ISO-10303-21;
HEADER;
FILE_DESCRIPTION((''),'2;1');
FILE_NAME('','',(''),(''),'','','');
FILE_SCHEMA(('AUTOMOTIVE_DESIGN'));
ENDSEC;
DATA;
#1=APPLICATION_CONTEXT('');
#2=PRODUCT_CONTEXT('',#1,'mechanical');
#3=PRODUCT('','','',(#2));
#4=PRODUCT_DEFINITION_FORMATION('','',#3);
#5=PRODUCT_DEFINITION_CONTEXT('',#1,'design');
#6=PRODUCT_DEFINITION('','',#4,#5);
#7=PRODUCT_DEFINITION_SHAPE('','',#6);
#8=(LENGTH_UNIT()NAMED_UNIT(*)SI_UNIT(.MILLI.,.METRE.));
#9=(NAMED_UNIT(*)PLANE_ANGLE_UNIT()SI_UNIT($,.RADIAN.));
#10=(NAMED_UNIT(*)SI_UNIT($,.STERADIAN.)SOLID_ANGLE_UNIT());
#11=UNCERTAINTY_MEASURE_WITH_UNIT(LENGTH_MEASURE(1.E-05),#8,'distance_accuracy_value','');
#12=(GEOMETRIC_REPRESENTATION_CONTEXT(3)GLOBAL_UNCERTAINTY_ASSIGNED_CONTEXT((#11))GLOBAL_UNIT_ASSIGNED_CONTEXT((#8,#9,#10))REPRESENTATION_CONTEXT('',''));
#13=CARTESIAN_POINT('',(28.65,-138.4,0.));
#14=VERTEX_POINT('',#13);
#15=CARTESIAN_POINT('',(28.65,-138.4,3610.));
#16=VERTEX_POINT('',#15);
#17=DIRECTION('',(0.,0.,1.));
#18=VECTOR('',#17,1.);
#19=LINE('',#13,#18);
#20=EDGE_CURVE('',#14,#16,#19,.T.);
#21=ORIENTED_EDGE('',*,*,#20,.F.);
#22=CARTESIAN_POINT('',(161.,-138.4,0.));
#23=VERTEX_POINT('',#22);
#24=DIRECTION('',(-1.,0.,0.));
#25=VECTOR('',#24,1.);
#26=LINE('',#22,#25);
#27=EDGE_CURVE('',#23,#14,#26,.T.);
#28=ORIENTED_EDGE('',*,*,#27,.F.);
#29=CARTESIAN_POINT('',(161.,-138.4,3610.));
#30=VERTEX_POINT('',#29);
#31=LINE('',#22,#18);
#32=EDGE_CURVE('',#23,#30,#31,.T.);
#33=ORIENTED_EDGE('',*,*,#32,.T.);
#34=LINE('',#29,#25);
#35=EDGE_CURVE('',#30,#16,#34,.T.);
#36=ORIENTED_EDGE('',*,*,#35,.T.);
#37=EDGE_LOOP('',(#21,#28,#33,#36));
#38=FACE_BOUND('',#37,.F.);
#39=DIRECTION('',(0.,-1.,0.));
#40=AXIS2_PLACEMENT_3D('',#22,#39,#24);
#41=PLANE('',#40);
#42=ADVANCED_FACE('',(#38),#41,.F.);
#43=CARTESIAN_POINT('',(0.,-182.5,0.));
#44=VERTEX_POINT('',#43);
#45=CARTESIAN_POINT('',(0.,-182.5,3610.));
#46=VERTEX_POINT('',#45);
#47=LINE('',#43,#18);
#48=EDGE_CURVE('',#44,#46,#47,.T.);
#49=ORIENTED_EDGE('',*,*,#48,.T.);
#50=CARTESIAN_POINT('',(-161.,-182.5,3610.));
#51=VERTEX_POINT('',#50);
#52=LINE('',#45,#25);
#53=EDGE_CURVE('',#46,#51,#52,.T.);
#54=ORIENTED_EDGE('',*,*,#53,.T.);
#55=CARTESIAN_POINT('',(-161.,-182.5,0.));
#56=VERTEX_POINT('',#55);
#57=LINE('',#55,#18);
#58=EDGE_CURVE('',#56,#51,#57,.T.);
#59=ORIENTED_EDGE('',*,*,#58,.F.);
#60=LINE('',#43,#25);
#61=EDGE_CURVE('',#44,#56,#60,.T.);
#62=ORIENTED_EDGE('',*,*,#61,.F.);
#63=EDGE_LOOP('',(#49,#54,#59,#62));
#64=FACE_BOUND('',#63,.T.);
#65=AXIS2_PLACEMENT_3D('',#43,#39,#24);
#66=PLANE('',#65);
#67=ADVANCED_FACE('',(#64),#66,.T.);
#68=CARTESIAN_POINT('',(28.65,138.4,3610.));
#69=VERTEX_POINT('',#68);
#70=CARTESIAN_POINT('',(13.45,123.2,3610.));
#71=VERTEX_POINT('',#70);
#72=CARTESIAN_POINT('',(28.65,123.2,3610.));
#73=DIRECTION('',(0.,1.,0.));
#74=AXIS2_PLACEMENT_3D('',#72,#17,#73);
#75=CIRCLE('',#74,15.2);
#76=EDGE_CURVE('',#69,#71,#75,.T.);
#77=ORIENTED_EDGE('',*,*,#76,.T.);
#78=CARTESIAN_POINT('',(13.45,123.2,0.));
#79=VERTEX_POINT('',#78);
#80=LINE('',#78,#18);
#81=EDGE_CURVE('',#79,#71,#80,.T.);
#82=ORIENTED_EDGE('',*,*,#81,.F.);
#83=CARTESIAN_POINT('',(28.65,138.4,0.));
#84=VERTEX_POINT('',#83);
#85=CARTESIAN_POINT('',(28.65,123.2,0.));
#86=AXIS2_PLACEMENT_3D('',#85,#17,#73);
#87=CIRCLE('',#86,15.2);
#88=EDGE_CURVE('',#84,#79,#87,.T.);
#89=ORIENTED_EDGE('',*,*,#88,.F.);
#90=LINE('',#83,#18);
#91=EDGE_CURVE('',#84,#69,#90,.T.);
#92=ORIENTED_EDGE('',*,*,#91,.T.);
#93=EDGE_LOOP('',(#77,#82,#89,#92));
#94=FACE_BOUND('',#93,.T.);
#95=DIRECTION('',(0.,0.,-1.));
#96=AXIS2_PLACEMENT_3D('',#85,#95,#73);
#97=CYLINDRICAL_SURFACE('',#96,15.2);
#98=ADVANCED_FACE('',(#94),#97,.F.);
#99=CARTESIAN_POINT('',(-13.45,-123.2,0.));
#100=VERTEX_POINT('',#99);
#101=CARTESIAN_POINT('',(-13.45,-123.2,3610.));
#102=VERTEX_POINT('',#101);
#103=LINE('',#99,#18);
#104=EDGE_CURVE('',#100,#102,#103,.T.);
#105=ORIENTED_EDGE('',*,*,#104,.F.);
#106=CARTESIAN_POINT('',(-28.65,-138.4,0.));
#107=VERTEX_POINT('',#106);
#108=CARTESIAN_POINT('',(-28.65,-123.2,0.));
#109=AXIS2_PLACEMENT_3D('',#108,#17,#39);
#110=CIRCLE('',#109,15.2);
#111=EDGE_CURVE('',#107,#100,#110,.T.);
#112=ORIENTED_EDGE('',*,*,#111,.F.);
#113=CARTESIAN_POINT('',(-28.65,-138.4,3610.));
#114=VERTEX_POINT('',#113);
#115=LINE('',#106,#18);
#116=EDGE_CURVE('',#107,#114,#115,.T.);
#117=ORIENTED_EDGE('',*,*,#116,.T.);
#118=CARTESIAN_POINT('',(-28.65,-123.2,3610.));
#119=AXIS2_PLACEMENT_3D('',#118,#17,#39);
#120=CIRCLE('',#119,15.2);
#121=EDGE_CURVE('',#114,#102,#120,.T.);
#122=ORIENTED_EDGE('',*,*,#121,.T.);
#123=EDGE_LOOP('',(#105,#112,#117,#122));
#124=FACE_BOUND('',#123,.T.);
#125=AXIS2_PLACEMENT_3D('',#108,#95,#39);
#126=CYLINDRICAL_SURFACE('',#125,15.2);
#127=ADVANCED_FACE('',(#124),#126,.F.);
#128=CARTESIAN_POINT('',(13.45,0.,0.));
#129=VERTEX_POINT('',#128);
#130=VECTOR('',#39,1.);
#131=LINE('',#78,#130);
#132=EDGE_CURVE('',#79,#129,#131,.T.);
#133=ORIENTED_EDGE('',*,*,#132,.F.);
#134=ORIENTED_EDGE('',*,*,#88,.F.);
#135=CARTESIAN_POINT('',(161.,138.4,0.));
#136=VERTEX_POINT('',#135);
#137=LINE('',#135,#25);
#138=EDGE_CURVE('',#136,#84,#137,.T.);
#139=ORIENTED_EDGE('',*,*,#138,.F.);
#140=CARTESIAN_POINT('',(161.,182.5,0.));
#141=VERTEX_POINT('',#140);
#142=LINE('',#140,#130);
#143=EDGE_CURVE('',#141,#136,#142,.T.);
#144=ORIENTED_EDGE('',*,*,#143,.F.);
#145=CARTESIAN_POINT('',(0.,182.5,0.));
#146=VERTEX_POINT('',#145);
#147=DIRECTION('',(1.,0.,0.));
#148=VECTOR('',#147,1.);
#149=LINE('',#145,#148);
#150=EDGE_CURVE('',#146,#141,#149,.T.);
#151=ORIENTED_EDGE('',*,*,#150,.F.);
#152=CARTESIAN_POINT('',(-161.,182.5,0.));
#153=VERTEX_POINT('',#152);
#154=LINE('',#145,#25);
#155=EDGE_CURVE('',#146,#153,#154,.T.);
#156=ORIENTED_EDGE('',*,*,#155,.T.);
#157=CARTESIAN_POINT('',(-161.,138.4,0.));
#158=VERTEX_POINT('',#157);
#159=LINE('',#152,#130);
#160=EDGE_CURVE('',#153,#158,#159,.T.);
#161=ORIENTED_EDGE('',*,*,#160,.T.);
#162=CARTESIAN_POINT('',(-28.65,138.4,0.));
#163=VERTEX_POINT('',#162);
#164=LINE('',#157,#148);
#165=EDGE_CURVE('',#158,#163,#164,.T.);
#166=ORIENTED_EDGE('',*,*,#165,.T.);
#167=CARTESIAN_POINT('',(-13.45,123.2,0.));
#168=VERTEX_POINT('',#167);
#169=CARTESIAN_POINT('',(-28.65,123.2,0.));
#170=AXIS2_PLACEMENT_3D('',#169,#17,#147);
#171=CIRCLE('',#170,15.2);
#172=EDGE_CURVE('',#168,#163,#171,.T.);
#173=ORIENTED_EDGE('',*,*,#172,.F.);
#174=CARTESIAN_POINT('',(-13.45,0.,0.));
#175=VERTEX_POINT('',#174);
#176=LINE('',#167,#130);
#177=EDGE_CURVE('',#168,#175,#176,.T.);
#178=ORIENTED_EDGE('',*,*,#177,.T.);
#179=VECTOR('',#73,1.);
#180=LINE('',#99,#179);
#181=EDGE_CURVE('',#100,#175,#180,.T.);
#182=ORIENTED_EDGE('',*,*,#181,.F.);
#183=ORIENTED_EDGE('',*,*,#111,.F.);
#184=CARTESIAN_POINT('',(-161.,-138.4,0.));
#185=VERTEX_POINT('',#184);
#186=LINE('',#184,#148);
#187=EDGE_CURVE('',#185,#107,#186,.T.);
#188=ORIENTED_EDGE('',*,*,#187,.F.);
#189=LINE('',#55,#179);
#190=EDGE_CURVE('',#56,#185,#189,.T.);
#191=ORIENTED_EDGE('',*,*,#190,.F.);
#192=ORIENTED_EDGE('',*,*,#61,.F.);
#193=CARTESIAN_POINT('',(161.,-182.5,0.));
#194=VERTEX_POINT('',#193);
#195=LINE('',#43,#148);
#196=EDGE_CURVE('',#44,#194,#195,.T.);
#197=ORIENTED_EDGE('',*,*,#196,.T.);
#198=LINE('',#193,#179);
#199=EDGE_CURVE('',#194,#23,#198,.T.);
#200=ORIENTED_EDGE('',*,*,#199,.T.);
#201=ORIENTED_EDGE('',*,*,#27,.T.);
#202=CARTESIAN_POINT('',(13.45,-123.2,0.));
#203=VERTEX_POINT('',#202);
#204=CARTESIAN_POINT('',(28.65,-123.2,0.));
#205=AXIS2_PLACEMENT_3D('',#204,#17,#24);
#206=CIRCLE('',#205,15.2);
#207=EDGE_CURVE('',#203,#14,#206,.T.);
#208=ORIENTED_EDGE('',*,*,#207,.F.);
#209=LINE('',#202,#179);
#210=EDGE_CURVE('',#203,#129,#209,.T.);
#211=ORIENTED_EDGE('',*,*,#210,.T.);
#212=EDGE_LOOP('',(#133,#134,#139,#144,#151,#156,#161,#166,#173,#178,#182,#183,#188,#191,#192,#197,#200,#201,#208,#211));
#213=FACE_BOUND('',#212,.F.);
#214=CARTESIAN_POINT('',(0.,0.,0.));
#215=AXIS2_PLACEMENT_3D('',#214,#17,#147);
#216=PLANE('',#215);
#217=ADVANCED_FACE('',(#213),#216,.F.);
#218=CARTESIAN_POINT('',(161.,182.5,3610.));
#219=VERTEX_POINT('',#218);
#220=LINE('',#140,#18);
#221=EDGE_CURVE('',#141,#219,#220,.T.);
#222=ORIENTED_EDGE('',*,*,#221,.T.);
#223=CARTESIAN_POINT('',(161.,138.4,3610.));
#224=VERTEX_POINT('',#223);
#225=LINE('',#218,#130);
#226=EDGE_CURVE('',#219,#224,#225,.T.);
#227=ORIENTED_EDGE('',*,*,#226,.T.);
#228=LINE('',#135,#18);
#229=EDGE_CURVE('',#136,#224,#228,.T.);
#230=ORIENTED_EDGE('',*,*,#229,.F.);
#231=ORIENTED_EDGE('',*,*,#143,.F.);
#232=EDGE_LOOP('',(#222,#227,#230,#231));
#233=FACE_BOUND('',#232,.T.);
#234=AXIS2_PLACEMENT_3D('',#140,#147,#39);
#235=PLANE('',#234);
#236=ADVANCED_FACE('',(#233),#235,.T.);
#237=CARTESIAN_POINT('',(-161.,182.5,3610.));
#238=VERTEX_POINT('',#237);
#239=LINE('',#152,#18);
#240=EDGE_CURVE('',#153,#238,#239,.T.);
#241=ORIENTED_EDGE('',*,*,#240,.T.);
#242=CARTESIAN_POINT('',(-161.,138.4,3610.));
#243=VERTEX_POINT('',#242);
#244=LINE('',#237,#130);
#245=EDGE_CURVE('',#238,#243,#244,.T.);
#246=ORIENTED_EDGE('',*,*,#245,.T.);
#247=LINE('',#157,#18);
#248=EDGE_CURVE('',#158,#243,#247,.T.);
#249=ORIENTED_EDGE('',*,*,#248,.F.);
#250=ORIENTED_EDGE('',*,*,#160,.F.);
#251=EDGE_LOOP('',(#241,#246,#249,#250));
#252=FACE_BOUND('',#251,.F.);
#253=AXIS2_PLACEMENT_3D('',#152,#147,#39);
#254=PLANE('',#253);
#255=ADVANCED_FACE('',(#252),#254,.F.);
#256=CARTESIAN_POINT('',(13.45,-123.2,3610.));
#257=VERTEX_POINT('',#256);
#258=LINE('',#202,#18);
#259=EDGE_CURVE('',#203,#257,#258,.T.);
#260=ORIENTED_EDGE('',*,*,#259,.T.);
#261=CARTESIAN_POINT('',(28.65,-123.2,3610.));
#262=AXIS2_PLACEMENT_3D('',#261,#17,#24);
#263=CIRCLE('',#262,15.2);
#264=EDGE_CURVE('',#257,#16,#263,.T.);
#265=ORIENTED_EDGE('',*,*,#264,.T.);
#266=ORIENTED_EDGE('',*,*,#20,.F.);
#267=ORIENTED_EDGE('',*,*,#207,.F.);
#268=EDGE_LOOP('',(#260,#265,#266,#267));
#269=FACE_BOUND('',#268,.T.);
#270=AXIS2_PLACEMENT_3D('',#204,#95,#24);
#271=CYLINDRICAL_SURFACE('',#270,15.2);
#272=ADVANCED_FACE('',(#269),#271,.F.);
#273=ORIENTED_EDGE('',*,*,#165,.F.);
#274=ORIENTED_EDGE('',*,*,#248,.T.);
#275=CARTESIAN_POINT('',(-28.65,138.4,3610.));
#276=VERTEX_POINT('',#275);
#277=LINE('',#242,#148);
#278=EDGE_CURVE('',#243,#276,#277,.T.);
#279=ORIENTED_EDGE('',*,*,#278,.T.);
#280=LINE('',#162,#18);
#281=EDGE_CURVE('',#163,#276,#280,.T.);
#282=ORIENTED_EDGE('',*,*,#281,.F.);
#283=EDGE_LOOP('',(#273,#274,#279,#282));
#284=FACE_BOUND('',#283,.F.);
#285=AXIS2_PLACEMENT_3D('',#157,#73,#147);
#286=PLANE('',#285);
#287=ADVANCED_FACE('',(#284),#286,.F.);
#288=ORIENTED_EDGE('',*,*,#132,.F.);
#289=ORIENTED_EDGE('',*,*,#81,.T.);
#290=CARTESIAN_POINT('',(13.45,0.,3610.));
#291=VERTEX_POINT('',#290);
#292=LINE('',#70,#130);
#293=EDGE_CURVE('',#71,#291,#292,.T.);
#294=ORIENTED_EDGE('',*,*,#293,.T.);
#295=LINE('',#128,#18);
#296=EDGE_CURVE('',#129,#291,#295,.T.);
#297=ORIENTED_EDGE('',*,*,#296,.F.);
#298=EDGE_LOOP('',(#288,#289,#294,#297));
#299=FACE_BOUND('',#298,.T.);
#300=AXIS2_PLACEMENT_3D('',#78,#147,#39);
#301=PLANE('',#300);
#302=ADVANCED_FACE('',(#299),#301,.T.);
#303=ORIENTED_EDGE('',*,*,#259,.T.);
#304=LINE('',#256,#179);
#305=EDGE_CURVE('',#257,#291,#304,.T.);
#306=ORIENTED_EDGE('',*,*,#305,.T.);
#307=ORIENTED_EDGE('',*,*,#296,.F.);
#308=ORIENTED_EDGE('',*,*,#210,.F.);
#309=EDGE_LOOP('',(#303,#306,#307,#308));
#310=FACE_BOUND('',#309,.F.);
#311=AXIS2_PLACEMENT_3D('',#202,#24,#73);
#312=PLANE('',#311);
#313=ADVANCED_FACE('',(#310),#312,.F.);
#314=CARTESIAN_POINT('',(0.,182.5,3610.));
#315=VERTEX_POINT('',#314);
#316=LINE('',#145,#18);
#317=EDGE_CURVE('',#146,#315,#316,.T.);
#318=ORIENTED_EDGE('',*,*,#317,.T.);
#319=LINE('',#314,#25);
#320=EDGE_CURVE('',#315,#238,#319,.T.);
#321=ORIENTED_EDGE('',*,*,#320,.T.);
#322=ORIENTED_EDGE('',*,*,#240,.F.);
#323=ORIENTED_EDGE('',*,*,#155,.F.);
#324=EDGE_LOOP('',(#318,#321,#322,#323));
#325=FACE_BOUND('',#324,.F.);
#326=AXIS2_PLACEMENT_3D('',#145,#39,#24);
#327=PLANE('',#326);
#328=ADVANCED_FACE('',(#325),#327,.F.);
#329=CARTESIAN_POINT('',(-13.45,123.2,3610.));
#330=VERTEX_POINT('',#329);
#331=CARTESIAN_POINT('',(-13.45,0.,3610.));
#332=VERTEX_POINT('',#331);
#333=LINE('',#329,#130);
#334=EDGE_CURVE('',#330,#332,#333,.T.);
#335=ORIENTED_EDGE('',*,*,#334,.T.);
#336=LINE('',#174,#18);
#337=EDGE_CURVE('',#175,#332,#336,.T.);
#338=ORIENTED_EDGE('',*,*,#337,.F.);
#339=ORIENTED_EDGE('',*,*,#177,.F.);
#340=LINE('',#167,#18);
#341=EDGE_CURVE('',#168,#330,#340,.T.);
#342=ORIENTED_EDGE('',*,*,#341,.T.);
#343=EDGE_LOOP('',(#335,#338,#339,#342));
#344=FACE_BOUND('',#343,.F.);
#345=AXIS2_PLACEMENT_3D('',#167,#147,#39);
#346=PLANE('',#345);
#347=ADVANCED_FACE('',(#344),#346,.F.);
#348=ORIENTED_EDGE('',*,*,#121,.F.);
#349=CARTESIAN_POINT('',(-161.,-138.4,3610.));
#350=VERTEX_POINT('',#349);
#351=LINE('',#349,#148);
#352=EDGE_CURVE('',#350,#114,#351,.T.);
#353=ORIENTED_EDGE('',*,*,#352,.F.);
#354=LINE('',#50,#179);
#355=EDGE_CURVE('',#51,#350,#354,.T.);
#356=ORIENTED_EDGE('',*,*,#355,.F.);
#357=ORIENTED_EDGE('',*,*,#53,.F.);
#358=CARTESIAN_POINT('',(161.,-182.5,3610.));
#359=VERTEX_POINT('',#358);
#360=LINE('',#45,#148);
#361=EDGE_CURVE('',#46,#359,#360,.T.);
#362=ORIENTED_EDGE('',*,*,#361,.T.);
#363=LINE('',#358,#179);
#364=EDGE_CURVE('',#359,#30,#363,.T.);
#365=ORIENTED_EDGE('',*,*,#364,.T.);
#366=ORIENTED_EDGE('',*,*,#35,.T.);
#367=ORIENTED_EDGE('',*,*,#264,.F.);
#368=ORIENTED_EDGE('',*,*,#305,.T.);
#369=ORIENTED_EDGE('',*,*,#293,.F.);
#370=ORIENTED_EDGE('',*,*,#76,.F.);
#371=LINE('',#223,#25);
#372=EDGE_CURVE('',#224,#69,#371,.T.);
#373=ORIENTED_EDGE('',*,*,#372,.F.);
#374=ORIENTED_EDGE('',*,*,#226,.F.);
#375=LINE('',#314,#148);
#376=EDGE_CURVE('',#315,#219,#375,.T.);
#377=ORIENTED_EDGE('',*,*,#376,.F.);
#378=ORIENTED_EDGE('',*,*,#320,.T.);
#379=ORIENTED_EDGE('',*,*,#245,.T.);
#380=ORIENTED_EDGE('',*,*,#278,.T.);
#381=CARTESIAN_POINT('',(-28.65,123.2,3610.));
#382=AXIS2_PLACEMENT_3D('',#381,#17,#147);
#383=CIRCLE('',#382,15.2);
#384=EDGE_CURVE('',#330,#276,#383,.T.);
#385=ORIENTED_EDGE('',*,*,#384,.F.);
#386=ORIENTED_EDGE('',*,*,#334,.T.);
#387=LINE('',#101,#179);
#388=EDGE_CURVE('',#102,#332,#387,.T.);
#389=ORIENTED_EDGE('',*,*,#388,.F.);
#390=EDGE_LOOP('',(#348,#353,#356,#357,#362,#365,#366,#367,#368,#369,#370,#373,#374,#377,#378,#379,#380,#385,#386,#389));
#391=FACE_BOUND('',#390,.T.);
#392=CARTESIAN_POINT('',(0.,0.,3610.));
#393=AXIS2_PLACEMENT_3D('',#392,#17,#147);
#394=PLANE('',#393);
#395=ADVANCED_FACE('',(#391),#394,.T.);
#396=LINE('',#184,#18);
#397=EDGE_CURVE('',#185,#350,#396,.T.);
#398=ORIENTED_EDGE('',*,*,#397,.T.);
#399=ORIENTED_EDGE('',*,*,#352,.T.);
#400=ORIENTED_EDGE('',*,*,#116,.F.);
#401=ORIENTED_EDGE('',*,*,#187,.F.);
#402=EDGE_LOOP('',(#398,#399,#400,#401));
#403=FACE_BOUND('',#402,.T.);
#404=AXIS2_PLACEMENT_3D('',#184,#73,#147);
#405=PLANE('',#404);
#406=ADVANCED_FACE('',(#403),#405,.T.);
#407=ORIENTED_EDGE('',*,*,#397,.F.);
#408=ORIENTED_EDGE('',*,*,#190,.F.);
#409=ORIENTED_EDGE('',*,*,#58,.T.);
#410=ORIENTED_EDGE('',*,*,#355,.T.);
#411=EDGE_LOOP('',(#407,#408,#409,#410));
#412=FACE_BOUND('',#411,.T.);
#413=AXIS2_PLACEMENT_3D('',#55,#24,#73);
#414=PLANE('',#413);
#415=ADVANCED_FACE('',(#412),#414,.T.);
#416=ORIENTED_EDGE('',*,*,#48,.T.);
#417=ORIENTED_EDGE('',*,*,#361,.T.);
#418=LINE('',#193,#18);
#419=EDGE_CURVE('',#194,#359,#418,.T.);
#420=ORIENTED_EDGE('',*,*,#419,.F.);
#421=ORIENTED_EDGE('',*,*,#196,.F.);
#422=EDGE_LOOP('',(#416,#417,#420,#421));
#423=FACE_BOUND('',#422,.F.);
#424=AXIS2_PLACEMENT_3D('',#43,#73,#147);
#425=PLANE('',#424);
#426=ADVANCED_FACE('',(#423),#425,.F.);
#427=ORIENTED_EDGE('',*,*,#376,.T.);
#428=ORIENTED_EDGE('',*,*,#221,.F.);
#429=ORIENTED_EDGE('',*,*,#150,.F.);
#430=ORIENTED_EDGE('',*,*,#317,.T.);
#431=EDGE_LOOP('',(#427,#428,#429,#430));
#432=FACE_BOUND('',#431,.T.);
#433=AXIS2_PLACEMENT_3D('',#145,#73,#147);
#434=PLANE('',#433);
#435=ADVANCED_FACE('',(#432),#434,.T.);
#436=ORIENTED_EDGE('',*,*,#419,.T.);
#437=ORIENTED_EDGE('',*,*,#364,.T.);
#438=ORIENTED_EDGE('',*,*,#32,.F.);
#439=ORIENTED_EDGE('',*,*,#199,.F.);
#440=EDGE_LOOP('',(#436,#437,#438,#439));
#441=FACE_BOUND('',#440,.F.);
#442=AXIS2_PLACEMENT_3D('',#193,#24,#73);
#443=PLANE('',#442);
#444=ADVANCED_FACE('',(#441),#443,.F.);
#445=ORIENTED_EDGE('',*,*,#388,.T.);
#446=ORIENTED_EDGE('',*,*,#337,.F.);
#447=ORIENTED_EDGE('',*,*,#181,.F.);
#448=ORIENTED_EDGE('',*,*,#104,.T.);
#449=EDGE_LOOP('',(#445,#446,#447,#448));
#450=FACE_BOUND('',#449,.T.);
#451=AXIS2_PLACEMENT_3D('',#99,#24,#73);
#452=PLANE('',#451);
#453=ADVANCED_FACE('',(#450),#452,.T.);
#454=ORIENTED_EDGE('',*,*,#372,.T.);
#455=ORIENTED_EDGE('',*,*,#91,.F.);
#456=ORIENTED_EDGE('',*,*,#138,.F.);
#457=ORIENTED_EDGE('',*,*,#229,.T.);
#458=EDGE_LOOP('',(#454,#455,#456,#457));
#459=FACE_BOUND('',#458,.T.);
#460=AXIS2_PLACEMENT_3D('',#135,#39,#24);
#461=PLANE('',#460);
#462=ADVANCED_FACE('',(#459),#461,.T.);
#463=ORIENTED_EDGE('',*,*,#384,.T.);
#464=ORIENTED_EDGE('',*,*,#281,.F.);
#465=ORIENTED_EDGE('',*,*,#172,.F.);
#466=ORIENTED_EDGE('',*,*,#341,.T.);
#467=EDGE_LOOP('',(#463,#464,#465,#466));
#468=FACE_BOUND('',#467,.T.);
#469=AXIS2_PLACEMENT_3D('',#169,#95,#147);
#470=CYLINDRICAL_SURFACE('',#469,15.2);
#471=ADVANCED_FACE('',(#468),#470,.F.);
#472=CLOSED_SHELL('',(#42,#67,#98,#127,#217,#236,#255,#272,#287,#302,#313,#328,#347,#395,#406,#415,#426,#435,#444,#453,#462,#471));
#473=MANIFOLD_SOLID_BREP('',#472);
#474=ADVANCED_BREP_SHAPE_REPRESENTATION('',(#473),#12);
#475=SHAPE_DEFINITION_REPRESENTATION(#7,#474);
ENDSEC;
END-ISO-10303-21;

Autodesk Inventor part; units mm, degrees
ref_plane "YZ Plane" through (0, 0, 0) normal (1, 0, 0) x (0, 1, 0)
ref_plane "Start plane" through (0, 0, 0) normal (0, 0, 1) x (1, 0, 0)
ref_plane "End plane" through (0, 0, 3610) normal (0, 0, 1) x (1, 0, 0)
sketch "Sketch" plane through (0, 0, 0) normal (0, 0, 1) x (1, 0, 0)
  line L0 (-161, -182.5) -> (-161, -138.4)
  line L1 (-161, -138.4) -> (-28.65, -138.4)
  line L2 (-13.45, -123.2) -> (-13.45, 0)
  line L3 (-13.45, 0) -> (0, 0) construction
  line L4 (0, 0) -> (0, -182.5) construction
  line L5 (0, -182.5) -> (-161, -182.5)
  line L6 (-60, 0) -> (80, 0) construction
  line L7 (0, -60) -> (0, 80) construction
  line L8 (161, -182.5) -> (161, -138.4)
  line L9 (161, -138.4) -> (28.65, -138.4)
  line L10 (13.45, -123.2) -> (13.45, 0)
  line L11 (13.45, 0) -> (0, 0) construction
  line L12 (0, -182.5) -> (161, -182.5)
  line L13 (-161, 182.5) -> (-161, 138.4)
  line L14 (-161, 138.4) -> (-28.65, 138.4)
  line L15 (-13.45, 123.2) -> (-13.45, 0)
  line L16 (0, 182.5) -> (-161, 182.5)
  line L17 (161, 182.5) -> (161, 138.4)
  line L18 (161, 138.4) -> (28.65, 138.4)
  line L19 (0, 182.5) -> (161, 182.5)
  line L20 (13.45, 123.2) -> (13.45, 0)
  arc A0 (-13.45, 123.2) -> (-28.65, 138.4) centre (-28.65, 123.2) ccw
  arc A1 (28.65, 138.4) -> (13.45, 123.2) centre (28.65, 123.2) ccw
  arc A2 (13.45, -123.2) -> (28.65, -138.4) centre (28.65, -123.2) ccw
  arc A3 (-28.65, -138.4) -> (-13.45, -123.2) centre (-28.65, -123.2) ccw
  line L21 (0, 108) -> (0, -88) construction
  line L22 (-88, 0) -> (108, 0) construction
  point P0 (-13.45, -138.4)
  point P1 (13.45, -138.4)
  point P2 (-13.45, 138.4)
  point P3 (13.45, 138.4)
  dimension "d1" = 182.5
  dimension "d2" = 44.1
  dimension "d3" = 161
  dimension "d4" = 13.45
  dimension "d10" = 15.2
extrude "Body" add sketch "Sketch" along normal up to surface (3610 mm away) from surface at 0
sketch "Sketch4" plane through (0, 0, 0) normal (0, 0, 1) x (1, 0, 0)
  line L0 (0, 0) -> (10, 0)
ref_plane "Work Plane3" through (0, 0, 0) normal (0, -1, 0) x (1, 0, 0)
sketch "Sketch5" plane through (0, 0, 0) normal (0, -1, 0) x (1, 0, 0)
  line L0 (-2, 0) -> (12, 0) projected
  line L1 (-2, 3610) -> (12, 3610) projected
  dimension "d14" = 3610
equation "\"d1\" = 0.5 * G_H"
equation "\"d2\" = G_T1"
equation "\"d3\" = 0.5 * G_W"
equation "\"d4\" = 0.5 * G_T"
equation "\"d10\" = G_IR"
equation "\"d5\" = G_L"
equation "\"G_W\" = 322"
equation "\"G_H\" = 365"
equation "\"G_T\" = 26.9"
equation "\"G_T1\" = 44.1"
equation "\"G_IR\" = 15.2"
equation "\"G_L\" = d14"
equation "\"G_OFFSET_START\" = 0"
equation "\"G_OFFSET_END\" = 0"
properties part number "AS 3679 - 310 UC - 283 - 3610" material "Steel, Mild"
